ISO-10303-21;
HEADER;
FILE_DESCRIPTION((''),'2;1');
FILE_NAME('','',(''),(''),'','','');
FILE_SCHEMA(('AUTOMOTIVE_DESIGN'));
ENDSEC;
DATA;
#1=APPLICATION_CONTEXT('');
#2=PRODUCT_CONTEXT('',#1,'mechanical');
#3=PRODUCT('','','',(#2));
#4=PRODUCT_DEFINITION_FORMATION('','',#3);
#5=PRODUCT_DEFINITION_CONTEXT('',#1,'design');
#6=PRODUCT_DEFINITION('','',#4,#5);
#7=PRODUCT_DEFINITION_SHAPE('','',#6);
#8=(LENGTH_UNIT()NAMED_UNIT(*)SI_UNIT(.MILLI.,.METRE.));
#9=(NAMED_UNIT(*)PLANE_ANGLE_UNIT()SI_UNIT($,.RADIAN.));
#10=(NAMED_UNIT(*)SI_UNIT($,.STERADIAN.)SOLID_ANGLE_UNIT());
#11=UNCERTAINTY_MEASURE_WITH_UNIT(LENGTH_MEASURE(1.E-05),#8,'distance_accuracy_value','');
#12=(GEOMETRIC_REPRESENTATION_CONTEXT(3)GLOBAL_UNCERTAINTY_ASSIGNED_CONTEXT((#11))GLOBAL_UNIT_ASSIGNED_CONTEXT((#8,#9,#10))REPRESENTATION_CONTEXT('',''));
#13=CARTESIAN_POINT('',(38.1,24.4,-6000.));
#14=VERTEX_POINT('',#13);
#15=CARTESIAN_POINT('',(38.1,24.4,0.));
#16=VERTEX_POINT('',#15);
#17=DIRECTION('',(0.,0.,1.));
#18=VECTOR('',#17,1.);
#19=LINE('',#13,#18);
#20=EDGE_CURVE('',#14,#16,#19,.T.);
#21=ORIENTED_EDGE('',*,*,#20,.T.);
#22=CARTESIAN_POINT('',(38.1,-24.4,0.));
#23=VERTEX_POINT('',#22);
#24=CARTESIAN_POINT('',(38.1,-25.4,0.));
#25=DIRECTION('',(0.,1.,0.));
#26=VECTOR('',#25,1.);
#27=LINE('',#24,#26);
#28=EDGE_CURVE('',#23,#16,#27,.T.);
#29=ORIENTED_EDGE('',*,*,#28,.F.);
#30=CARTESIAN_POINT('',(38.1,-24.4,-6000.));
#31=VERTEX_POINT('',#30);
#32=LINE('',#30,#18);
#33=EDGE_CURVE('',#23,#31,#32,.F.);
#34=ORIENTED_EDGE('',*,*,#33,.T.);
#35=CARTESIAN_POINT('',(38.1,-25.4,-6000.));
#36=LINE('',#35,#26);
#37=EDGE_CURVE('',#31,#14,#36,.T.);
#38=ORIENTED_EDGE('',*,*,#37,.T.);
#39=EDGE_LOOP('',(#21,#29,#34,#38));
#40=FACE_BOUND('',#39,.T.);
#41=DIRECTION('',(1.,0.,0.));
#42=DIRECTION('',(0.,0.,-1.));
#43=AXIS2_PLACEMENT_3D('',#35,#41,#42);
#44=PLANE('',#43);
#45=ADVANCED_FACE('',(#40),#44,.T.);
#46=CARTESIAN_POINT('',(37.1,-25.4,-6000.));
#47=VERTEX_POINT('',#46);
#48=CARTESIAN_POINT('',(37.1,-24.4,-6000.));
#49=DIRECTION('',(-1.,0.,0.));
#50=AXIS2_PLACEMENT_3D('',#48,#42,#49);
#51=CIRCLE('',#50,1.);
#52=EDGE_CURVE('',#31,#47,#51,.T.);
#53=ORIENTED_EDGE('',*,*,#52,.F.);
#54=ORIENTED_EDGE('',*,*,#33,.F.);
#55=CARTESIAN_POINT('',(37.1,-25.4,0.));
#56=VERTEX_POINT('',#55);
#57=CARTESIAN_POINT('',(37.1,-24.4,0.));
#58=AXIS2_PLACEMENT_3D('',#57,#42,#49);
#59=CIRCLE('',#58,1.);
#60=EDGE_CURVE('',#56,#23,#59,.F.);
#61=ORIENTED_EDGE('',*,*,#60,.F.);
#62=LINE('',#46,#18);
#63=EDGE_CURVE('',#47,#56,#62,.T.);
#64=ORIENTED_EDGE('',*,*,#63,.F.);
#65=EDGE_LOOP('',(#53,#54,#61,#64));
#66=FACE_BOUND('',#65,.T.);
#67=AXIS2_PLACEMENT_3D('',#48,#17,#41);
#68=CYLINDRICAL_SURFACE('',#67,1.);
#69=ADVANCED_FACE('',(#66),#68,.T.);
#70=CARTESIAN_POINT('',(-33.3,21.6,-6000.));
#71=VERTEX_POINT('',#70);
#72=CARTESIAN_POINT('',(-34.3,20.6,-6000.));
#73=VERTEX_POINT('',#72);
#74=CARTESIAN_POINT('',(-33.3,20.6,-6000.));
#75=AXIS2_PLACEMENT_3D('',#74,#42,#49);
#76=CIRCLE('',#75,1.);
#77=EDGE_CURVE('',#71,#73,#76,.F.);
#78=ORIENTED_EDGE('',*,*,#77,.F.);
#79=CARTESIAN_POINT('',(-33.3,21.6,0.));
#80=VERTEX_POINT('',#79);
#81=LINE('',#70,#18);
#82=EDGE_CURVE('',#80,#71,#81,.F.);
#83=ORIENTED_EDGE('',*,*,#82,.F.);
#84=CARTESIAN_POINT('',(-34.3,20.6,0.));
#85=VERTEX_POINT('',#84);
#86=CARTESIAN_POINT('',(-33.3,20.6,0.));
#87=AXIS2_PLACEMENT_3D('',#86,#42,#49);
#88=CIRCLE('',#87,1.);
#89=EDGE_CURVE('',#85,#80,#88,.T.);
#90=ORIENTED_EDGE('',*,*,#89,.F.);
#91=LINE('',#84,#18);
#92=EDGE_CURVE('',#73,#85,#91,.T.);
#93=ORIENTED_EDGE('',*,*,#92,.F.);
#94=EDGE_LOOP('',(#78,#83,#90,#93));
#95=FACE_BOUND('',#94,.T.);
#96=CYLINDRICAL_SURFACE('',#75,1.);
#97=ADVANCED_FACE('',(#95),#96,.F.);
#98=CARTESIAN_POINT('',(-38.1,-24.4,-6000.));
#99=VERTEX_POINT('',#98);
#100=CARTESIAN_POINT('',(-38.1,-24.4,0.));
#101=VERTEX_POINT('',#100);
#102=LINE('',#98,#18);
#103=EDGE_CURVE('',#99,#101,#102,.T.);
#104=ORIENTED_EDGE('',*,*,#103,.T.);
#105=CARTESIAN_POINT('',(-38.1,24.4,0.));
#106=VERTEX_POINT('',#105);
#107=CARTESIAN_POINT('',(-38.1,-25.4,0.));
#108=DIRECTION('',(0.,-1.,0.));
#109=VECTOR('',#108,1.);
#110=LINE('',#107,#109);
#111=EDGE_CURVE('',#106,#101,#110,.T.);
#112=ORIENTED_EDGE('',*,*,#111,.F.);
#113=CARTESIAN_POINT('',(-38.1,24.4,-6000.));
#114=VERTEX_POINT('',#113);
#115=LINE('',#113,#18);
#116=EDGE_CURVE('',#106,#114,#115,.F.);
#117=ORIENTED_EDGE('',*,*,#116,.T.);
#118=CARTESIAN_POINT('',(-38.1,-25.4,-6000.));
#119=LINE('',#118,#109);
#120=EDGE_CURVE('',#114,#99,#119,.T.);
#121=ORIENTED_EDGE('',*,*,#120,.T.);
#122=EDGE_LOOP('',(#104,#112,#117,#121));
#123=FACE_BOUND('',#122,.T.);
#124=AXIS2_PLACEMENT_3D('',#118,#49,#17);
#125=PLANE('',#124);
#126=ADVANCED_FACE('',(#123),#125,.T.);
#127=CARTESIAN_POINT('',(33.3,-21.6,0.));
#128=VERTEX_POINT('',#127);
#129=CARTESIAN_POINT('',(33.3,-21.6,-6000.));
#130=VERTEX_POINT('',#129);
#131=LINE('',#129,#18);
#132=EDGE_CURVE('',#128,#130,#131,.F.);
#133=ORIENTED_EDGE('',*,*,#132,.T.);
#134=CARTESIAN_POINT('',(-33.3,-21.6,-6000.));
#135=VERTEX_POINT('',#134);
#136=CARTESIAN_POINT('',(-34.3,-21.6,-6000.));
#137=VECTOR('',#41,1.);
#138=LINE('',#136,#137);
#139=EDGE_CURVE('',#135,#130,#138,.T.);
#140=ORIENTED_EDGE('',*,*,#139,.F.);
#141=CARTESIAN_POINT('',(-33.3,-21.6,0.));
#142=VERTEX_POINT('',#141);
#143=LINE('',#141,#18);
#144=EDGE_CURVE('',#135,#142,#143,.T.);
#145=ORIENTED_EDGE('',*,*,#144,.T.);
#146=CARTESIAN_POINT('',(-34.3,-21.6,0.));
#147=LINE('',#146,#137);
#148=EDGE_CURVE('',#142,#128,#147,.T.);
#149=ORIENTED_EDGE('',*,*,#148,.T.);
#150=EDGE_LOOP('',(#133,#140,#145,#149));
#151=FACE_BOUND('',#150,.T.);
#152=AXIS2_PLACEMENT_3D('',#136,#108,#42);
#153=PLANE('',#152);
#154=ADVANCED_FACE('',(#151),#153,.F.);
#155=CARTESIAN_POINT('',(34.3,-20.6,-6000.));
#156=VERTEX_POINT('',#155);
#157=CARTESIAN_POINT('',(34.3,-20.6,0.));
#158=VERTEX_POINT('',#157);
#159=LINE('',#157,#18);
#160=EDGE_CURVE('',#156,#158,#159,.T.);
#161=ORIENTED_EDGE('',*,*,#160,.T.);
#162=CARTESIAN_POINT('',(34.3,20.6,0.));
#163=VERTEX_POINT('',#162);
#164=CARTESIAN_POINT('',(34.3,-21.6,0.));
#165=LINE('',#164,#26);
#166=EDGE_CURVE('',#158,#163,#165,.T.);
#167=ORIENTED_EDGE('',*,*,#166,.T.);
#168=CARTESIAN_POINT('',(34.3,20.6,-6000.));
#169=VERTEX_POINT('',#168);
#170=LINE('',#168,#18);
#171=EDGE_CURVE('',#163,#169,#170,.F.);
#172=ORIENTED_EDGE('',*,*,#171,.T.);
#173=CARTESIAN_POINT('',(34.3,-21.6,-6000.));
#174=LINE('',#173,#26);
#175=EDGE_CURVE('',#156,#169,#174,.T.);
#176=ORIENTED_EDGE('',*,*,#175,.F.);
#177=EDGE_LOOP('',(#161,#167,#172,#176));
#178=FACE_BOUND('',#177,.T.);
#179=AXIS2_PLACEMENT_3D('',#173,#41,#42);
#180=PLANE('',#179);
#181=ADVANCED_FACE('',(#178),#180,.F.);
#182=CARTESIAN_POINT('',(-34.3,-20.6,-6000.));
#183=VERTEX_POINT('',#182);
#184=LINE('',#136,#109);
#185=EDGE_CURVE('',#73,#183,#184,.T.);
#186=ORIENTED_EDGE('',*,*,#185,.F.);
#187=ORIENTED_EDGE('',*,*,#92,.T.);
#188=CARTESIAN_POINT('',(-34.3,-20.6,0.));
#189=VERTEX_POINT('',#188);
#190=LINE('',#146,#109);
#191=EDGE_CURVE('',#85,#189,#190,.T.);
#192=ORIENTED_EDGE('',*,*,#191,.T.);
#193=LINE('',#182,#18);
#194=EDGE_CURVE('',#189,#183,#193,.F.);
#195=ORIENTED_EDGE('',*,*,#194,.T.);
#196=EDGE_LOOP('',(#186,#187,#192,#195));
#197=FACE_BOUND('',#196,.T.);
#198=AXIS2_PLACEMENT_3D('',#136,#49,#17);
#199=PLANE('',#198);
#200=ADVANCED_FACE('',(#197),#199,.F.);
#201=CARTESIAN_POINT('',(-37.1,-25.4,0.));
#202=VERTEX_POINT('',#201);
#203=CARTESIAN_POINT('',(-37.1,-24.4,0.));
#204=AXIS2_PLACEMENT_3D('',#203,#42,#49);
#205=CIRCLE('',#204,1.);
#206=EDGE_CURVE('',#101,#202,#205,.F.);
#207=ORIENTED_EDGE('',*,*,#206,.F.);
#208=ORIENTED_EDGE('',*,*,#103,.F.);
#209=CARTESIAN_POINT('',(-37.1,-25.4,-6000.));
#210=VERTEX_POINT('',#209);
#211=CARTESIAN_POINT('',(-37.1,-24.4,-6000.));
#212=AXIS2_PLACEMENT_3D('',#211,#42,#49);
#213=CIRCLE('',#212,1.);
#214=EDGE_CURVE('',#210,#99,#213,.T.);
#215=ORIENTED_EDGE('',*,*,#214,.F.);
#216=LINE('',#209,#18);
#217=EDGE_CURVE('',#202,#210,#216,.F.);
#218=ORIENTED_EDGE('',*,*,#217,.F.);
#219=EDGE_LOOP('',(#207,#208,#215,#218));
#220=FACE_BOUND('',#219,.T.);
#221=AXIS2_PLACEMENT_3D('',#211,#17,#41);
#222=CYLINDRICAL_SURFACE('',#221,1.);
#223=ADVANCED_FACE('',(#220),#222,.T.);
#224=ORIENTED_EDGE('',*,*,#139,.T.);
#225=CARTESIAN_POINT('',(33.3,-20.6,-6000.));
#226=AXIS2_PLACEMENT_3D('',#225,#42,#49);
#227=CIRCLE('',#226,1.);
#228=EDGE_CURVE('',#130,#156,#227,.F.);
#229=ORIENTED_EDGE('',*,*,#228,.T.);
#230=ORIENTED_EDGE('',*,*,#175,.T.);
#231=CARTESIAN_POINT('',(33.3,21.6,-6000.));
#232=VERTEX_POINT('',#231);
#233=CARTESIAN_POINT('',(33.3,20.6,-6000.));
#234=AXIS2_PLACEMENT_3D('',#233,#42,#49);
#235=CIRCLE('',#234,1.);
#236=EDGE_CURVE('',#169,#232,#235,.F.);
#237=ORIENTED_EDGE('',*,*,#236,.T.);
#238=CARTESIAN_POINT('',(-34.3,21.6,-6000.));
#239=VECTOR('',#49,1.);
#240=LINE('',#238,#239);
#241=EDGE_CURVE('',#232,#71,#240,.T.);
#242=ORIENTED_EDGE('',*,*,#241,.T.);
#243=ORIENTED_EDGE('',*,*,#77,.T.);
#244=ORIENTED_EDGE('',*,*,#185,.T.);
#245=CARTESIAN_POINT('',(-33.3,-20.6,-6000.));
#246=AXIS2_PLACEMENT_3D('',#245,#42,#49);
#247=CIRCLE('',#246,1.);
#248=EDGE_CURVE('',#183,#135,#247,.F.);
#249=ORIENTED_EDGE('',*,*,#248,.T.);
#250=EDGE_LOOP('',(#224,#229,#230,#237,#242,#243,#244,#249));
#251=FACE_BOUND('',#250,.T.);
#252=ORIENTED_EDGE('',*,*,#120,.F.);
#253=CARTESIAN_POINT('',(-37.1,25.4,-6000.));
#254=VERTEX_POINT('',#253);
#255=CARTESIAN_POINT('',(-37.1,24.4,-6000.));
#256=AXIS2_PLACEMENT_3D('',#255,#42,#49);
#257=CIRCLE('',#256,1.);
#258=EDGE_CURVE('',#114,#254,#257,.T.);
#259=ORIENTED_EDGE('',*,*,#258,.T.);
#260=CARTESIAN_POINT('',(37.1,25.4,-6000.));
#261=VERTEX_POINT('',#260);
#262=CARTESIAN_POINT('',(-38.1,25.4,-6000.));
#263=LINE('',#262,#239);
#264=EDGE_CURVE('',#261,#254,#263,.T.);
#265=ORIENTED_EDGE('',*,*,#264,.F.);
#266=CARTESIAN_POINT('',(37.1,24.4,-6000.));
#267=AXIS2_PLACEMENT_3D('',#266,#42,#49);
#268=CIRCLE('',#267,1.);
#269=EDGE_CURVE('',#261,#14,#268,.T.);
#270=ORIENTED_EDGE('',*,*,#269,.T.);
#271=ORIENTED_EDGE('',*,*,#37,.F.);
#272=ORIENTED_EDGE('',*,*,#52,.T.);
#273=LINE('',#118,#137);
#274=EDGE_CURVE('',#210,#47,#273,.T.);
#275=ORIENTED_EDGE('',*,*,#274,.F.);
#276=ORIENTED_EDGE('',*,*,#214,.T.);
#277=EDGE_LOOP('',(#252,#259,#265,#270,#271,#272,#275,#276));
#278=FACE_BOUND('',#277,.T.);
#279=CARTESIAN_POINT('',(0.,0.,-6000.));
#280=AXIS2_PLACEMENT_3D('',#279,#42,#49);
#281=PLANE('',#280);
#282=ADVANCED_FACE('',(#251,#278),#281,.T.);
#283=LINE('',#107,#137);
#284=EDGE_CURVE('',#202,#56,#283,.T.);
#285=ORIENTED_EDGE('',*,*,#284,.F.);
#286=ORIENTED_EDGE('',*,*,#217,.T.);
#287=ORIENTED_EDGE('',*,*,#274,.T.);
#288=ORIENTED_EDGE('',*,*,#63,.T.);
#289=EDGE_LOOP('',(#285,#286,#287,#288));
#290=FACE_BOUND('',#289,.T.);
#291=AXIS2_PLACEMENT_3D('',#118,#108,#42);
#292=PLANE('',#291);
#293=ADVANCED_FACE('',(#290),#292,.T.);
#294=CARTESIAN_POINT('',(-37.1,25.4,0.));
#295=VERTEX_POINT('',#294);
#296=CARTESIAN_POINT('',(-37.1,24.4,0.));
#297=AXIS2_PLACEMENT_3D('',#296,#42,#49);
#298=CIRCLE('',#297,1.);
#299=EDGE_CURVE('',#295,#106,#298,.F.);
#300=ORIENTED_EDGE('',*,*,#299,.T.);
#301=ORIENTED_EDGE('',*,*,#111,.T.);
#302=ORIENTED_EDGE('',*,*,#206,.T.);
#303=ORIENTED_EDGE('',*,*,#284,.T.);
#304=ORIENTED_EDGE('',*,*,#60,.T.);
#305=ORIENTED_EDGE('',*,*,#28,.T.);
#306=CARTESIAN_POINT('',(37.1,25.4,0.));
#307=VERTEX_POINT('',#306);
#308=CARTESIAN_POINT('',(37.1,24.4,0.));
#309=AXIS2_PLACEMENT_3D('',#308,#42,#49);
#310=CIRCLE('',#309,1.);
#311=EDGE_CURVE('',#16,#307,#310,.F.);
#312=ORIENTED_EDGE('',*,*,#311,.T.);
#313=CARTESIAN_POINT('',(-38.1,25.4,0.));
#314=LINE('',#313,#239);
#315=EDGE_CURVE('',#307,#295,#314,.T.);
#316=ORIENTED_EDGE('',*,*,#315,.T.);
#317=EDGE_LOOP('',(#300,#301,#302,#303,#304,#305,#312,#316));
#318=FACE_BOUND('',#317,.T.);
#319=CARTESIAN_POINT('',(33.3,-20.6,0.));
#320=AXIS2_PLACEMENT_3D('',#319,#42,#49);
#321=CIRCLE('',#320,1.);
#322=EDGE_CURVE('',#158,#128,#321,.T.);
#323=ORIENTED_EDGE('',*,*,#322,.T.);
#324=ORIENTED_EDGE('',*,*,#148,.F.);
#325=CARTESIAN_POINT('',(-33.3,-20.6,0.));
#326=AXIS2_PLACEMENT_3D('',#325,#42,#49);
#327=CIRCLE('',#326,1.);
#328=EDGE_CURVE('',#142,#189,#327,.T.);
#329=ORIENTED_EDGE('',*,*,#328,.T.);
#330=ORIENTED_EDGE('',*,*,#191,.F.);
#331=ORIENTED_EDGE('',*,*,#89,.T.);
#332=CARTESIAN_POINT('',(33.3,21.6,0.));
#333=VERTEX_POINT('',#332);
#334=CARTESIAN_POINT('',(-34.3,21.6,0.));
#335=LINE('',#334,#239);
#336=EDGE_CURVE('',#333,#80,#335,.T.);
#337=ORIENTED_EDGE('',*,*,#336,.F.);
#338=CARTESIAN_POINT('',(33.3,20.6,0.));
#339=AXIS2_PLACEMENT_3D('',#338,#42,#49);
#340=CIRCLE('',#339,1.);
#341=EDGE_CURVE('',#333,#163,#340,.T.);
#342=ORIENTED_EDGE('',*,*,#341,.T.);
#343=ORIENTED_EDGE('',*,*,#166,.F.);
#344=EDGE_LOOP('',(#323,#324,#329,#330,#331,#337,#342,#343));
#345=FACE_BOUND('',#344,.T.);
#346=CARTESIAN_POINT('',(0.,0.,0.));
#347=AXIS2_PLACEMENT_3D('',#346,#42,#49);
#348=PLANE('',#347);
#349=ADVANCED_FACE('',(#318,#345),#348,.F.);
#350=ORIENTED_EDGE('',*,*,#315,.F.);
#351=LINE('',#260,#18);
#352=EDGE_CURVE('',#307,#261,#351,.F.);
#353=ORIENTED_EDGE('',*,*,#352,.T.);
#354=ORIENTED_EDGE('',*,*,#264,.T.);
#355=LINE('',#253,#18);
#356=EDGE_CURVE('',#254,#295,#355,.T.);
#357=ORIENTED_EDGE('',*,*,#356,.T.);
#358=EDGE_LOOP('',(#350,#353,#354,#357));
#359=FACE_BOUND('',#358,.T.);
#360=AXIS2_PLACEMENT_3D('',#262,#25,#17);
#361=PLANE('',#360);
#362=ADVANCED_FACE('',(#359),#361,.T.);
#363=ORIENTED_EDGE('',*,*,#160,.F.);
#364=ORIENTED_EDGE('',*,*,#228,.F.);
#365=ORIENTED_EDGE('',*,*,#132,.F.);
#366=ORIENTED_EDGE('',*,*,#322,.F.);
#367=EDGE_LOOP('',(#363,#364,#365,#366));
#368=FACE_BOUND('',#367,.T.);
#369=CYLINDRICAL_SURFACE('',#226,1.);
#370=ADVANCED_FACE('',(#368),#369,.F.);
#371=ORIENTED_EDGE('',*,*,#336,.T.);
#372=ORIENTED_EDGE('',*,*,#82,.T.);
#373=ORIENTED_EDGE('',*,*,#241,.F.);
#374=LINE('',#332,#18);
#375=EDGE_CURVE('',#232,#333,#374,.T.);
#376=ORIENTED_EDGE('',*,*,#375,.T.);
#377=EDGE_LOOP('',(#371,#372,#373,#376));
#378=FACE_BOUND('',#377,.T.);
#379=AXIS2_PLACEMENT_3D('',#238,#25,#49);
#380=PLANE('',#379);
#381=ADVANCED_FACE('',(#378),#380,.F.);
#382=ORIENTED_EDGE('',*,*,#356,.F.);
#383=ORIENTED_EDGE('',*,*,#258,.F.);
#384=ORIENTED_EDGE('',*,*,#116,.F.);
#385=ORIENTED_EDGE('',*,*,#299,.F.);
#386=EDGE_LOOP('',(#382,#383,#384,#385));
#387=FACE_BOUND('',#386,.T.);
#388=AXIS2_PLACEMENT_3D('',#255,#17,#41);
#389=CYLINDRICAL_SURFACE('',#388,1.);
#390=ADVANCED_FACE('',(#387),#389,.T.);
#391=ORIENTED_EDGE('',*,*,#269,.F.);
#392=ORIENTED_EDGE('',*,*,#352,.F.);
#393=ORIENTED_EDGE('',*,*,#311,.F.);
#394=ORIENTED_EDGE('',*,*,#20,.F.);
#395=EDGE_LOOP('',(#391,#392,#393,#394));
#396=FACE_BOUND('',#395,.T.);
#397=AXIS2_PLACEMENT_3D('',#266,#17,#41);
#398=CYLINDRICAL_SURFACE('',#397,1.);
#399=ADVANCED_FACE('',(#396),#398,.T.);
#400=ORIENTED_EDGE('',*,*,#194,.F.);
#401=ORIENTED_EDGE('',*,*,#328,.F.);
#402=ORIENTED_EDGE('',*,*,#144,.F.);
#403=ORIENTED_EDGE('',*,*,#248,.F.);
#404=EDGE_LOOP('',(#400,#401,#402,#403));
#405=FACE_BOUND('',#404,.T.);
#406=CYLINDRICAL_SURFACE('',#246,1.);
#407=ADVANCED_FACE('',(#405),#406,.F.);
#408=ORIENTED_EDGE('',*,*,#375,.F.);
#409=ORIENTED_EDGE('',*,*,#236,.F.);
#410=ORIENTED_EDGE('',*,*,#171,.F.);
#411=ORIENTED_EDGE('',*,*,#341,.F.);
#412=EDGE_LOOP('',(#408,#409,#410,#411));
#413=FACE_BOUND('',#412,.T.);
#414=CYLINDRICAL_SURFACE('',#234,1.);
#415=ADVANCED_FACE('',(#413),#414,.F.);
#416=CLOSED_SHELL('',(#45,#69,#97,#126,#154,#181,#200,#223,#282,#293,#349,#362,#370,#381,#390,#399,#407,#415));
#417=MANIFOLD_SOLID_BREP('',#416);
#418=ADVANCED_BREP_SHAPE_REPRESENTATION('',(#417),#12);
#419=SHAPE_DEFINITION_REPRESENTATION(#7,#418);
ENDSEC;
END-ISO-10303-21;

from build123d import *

# Parameters (mm, degrees)
CROQUIS1_W              = 76.2
CROQUIS1_H              = 50.8
CROQUIS1_W_2            = 68.6
CROQUIS1_H_2            = 43.2
SALIENTE_EXTRUIR1_DEPTH = 6000
REDONDEO1_R             = 1


with BuildPart() as part:
    # Croquis1 → Saliente-Extruir1 (new body)
    with BuildSketch(Plane.XY):
        Rectangle(CROQUIS1_W, CROQUIS1_H)
        Rectangle(CROQUIS1_W_2, CROQUIS1_H_2, mode=Mode.SUBTRACT)
    extrude(amount=-SALIENTE_EXTRUIR1_DEPTH)

    # Redondeo1
    redondeo1_edges = [part.edges().sort_by_distance(p)[0] for p in [
        (34.3, -21.6, -3000),
        (-34.3, -21.6, -3000),
        (-34.3, 21.6, -3000),
        (34.3, 21.6, -3000),
        (38.1, -25.4, -3000),
        (-38.1, -25.4, -3000),
        (-38.1, 25.4, -3000),
        (38.1, 25.4, -3000),
    ]]
    fillet(redondeo1_edges, radius=REDONDEO1_R)


solid = part.part
